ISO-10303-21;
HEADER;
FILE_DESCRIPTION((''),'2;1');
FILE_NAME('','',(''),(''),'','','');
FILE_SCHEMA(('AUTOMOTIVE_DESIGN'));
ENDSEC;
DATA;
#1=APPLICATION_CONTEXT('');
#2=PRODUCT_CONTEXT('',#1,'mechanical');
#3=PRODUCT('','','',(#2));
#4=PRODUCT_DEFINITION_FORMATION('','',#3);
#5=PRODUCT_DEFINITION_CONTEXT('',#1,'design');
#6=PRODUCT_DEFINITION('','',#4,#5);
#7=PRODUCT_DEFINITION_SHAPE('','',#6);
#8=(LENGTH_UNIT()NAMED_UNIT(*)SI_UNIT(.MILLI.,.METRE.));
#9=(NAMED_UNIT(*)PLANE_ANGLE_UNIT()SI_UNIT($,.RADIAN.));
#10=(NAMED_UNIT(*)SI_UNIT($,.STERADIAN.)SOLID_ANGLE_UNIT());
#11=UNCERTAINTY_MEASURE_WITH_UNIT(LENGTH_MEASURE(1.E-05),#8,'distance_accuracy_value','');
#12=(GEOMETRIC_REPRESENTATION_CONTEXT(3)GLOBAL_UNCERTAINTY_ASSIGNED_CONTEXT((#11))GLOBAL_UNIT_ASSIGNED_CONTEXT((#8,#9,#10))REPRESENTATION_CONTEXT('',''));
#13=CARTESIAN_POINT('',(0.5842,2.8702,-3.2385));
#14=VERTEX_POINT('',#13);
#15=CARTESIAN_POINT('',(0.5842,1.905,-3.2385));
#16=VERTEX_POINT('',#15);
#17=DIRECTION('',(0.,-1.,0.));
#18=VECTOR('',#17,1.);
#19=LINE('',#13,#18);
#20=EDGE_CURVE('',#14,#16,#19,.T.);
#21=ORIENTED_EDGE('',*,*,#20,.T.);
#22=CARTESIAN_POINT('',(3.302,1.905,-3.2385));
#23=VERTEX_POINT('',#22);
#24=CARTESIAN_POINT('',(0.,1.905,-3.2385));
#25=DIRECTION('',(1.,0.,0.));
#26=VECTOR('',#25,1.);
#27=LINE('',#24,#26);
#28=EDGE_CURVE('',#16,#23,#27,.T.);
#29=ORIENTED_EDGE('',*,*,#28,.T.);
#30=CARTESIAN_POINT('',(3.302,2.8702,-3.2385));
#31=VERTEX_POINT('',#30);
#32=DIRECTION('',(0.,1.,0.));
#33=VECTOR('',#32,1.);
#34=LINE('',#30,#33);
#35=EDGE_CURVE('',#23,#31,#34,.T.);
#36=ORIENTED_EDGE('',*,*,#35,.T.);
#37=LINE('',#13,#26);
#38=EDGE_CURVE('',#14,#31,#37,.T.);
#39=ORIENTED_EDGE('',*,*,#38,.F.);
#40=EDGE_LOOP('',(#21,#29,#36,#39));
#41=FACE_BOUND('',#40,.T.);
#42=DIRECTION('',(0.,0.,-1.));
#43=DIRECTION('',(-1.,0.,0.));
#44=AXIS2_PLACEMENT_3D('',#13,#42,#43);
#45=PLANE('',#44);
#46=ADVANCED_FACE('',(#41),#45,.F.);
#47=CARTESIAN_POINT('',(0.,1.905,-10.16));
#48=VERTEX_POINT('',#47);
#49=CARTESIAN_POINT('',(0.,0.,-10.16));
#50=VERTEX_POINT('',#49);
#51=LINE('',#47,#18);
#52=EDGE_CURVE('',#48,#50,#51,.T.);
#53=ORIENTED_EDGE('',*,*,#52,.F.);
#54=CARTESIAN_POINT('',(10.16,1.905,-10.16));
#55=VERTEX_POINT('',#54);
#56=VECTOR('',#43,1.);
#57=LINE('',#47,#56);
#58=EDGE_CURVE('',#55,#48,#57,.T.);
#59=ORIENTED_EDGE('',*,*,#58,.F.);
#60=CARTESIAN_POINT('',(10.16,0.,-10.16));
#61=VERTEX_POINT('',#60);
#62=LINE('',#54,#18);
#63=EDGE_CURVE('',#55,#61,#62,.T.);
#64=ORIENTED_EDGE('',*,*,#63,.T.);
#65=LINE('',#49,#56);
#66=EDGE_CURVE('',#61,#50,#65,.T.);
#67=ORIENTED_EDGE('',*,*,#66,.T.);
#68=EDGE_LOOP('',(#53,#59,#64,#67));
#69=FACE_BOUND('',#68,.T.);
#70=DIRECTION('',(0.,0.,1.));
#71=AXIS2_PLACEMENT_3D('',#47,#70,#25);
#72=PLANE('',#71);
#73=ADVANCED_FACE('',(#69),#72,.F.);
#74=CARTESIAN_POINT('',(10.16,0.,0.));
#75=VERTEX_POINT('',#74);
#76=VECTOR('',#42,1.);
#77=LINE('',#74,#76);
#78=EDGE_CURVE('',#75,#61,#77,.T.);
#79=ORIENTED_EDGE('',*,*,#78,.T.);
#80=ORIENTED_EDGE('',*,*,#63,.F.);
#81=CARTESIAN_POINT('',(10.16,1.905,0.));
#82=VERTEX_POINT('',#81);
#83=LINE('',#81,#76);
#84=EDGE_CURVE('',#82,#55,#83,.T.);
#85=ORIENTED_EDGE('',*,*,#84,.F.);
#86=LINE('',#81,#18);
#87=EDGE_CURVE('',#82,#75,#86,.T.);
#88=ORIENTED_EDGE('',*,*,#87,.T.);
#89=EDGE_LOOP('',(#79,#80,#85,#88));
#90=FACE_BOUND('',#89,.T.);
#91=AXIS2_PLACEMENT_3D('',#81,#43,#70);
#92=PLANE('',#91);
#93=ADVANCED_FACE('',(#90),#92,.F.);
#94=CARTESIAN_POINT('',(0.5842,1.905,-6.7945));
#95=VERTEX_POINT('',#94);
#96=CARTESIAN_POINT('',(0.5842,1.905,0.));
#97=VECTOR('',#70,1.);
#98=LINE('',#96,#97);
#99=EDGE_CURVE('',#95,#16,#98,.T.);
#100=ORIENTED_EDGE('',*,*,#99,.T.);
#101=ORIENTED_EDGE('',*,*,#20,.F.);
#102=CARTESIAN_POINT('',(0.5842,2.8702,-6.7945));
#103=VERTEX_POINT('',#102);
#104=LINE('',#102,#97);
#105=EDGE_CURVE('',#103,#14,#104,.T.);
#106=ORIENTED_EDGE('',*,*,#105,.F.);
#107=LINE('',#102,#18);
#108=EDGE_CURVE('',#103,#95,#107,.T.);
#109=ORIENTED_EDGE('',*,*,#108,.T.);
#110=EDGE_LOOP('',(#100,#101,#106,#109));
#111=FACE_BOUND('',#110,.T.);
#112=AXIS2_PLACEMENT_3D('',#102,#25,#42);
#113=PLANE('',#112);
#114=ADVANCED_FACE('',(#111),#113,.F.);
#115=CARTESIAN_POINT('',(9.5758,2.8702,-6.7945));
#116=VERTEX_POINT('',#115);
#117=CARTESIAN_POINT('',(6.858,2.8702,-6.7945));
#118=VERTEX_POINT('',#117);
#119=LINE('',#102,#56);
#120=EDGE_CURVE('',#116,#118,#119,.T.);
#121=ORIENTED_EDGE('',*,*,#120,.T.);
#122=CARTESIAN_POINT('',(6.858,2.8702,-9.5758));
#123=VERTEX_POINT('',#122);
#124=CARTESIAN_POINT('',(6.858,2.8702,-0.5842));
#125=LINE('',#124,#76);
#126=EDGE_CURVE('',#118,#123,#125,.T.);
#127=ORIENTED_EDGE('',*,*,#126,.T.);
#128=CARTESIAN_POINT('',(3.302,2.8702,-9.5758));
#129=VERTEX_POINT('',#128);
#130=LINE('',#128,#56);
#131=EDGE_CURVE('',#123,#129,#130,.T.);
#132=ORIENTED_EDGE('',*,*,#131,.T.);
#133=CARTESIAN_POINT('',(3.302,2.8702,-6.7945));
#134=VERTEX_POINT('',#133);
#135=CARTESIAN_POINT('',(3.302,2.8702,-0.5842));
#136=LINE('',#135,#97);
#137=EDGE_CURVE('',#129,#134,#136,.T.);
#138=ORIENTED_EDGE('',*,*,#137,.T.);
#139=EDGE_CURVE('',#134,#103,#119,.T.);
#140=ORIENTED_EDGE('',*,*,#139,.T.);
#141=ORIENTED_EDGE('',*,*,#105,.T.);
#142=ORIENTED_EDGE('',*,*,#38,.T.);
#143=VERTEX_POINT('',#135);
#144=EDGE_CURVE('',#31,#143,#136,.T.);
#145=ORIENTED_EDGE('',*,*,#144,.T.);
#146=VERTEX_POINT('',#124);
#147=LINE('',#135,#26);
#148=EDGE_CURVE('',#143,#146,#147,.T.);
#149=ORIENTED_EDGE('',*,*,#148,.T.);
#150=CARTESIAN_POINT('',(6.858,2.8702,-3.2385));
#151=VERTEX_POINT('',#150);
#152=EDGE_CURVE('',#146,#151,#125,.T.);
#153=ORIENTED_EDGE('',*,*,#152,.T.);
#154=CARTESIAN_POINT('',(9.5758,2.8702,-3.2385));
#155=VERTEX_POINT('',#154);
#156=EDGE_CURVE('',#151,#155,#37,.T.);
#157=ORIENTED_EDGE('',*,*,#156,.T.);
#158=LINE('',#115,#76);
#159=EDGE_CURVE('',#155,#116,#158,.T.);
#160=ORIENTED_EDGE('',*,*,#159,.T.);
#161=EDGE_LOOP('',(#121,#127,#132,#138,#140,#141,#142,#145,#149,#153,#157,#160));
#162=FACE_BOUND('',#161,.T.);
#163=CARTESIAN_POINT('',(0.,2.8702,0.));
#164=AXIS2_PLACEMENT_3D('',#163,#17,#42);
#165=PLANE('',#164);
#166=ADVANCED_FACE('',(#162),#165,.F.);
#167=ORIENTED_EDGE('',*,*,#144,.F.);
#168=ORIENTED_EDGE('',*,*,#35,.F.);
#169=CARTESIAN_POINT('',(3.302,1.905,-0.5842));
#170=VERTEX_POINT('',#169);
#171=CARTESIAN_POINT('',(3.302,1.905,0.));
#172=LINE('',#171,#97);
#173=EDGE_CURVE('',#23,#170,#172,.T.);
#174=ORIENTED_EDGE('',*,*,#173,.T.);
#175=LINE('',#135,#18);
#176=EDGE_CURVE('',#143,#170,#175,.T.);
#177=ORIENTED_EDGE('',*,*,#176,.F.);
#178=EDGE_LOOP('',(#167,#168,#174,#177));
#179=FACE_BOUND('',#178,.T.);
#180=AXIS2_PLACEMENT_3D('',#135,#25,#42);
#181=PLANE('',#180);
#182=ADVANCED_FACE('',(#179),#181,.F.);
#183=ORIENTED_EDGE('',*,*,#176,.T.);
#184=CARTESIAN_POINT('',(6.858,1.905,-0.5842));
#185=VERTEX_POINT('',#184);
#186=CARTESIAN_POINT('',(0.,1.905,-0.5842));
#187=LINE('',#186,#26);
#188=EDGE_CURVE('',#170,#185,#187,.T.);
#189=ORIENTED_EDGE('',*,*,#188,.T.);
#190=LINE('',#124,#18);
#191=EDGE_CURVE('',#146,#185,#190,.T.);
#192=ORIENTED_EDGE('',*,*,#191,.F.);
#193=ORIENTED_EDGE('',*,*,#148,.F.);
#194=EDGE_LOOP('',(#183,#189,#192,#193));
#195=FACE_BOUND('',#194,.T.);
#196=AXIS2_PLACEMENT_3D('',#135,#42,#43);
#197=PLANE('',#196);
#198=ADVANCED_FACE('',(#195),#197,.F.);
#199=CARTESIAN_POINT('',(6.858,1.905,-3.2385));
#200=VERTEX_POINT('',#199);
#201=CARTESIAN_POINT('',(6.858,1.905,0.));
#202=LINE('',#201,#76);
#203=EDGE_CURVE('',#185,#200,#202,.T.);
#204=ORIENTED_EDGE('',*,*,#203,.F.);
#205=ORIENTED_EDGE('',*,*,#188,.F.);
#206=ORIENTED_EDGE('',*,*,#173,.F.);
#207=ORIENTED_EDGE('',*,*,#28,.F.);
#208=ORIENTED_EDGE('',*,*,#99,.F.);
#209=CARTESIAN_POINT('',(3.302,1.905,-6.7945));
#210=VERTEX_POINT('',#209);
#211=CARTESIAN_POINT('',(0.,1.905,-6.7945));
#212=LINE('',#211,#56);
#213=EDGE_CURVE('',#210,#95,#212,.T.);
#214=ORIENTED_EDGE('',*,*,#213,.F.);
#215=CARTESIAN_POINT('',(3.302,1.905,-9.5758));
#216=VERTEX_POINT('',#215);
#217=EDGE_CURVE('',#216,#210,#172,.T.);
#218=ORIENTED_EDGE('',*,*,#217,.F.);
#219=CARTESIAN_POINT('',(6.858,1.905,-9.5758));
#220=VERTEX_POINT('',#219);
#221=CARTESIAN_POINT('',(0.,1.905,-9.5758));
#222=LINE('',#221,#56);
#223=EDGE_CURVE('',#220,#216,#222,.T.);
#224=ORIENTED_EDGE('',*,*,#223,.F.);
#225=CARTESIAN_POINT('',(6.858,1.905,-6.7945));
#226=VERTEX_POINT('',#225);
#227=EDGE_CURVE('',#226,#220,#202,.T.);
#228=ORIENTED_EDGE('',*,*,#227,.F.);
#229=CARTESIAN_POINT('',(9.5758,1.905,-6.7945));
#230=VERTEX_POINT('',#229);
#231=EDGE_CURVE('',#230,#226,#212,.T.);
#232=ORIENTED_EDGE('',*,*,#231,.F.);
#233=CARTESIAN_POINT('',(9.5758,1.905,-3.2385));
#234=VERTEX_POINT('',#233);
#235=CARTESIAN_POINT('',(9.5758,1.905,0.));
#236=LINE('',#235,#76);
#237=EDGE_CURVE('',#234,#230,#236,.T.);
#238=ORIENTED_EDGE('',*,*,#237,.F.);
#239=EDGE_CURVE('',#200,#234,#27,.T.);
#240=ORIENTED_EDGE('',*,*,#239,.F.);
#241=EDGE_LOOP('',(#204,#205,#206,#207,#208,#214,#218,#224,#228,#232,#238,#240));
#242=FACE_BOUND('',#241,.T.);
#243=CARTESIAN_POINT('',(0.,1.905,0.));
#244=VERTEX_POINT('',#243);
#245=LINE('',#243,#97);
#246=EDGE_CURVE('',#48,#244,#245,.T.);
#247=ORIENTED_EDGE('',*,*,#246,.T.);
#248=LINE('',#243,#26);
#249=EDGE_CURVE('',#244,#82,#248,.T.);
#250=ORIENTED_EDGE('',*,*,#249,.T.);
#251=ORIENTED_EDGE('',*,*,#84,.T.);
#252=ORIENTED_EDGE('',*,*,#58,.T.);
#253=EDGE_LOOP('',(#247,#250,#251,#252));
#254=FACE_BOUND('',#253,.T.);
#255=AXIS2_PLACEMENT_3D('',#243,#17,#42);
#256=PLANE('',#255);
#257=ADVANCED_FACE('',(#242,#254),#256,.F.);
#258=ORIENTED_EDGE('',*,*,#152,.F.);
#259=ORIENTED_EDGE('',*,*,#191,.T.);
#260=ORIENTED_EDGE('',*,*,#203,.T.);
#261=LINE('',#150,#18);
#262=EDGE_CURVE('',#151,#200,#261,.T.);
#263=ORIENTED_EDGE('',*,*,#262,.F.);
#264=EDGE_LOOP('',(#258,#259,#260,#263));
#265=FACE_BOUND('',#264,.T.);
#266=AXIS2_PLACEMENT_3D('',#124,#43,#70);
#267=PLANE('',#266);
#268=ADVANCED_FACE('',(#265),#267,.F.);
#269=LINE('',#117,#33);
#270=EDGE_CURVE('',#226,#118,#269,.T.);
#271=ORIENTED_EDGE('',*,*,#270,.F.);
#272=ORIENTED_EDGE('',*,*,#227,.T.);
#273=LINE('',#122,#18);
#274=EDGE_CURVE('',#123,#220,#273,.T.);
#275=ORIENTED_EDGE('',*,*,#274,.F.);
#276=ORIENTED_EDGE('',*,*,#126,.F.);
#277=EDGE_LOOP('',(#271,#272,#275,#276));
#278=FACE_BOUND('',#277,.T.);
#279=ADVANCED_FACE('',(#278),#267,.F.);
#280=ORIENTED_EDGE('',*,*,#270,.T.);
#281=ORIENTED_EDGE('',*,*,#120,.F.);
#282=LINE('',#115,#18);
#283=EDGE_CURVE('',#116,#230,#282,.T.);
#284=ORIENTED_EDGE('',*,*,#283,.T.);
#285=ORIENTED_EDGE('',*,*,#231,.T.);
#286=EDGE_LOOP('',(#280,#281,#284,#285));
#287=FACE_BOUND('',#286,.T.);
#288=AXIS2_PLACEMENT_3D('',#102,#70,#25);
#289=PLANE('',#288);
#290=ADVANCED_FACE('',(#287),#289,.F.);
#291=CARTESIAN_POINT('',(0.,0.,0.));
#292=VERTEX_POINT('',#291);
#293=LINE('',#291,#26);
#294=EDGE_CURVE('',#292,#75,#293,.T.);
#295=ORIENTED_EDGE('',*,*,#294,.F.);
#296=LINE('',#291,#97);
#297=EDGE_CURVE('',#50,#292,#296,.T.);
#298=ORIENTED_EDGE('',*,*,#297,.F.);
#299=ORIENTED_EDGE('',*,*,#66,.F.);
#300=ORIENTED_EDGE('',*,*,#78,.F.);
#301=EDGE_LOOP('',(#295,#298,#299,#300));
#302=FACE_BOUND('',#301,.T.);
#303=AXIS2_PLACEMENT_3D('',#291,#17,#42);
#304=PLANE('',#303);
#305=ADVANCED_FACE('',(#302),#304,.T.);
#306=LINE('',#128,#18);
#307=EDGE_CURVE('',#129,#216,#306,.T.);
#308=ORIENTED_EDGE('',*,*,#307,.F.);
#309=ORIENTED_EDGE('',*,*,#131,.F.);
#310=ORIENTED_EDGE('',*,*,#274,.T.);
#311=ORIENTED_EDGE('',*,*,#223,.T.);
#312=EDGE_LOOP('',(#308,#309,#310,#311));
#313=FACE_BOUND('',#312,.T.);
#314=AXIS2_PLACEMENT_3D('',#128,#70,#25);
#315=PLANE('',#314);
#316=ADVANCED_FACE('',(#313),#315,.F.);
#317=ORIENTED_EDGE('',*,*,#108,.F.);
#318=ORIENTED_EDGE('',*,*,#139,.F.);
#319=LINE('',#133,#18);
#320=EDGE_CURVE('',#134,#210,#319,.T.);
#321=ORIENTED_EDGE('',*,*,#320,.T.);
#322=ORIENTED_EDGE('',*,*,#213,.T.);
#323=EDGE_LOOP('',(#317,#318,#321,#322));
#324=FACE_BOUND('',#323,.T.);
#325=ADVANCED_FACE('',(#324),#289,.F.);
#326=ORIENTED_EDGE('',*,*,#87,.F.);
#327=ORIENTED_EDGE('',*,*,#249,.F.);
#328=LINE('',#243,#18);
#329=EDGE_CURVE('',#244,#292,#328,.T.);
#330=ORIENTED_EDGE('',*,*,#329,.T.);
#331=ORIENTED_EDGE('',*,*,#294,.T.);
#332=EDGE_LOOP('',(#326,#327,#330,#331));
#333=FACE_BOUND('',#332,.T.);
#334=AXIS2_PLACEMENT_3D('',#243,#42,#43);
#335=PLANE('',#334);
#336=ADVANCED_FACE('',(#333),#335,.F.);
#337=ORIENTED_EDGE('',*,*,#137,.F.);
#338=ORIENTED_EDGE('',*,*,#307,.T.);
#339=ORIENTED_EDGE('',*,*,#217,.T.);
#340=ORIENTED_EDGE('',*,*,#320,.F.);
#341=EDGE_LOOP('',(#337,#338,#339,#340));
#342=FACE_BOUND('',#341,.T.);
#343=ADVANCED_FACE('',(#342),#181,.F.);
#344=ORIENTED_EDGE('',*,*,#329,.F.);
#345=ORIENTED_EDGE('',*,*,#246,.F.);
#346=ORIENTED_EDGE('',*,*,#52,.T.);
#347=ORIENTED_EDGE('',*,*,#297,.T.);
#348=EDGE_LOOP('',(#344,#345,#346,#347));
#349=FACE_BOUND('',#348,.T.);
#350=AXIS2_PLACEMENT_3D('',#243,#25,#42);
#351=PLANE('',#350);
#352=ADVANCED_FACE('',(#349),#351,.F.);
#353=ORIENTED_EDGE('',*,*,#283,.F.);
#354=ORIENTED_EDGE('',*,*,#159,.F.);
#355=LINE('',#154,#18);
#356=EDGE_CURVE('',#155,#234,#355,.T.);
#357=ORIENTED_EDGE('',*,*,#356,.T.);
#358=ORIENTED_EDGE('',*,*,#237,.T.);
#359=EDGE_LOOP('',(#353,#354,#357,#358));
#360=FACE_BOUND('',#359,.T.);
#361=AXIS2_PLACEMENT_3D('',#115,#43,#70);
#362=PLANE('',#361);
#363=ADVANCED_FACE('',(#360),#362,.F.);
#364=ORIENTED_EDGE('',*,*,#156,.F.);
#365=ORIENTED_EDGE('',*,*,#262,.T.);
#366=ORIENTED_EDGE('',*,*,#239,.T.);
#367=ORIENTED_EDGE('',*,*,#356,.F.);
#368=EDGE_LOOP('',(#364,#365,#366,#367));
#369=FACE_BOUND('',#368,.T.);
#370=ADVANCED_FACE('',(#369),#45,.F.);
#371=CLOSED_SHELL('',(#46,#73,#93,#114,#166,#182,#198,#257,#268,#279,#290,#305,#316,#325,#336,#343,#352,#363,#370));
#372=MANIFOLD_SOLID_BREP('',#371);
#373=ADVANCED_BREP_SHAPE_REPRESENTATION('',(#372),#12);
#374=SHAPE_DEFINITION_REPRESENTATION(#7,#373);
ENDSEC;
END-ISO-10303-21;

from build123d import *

# Parameters (mm, degrees)
SKETCH1_W           = 10.16
SKETCH1_H           = 10.16
BOSS_EXTRUDE1_DEPTH = 1.905
SKETCH2_W           = 3.556
SKETCH2_H           = 8.9916
BOSS_EXTRUDE4_DEPTH = 2.8702
SKETCH4_W           = 8.9916
SKETCH4_H           = 3.556
BOSS_EXTRUDE5_DEPTH = 2.8702


with BuildPart() as part:
    # Sketch1 → Boss-Extrude1 (new body)
    with BuildSketch(Plane(origin=(0, 0, 0), x_dir=(1, 0, 0), z_dir=(0, 1, 0))):
        with Locations((5.08, 5.08)):
            Rectangle(SKETCH1_W, SKETCH1_H)
    extrude(amount=BOSS_EXTRUDE1_DEPTH)

    # Sketch2 → Boss-Extrude4 (add)
    with BuildSketch(Plane(origin=(0, 0, 0), x_dir=(1, 0, 0), z_dir=(0, 1, 0))):
        with Locations((5.08, 5.08)):
            Rectangle(SKETCH2_W, SKETCH2_H)
    extrude(amount=BOSS_EXTRUDE4_DEPTH)

    # Sketch4 → Boss-Extrude5 (add)
    with BuildSketch(Plane(origin=(0, 0, 0), x_dir=(1, 0, 0), z_dir=(0, 1, 0))):
        with Locations((5.08, 5.0165)):
            Rectangle(SKETCH4_W, SKETCH4_H)
    extrude(amount=BOSS_EXTRUDE5_DEPTH)


solid = part.part
